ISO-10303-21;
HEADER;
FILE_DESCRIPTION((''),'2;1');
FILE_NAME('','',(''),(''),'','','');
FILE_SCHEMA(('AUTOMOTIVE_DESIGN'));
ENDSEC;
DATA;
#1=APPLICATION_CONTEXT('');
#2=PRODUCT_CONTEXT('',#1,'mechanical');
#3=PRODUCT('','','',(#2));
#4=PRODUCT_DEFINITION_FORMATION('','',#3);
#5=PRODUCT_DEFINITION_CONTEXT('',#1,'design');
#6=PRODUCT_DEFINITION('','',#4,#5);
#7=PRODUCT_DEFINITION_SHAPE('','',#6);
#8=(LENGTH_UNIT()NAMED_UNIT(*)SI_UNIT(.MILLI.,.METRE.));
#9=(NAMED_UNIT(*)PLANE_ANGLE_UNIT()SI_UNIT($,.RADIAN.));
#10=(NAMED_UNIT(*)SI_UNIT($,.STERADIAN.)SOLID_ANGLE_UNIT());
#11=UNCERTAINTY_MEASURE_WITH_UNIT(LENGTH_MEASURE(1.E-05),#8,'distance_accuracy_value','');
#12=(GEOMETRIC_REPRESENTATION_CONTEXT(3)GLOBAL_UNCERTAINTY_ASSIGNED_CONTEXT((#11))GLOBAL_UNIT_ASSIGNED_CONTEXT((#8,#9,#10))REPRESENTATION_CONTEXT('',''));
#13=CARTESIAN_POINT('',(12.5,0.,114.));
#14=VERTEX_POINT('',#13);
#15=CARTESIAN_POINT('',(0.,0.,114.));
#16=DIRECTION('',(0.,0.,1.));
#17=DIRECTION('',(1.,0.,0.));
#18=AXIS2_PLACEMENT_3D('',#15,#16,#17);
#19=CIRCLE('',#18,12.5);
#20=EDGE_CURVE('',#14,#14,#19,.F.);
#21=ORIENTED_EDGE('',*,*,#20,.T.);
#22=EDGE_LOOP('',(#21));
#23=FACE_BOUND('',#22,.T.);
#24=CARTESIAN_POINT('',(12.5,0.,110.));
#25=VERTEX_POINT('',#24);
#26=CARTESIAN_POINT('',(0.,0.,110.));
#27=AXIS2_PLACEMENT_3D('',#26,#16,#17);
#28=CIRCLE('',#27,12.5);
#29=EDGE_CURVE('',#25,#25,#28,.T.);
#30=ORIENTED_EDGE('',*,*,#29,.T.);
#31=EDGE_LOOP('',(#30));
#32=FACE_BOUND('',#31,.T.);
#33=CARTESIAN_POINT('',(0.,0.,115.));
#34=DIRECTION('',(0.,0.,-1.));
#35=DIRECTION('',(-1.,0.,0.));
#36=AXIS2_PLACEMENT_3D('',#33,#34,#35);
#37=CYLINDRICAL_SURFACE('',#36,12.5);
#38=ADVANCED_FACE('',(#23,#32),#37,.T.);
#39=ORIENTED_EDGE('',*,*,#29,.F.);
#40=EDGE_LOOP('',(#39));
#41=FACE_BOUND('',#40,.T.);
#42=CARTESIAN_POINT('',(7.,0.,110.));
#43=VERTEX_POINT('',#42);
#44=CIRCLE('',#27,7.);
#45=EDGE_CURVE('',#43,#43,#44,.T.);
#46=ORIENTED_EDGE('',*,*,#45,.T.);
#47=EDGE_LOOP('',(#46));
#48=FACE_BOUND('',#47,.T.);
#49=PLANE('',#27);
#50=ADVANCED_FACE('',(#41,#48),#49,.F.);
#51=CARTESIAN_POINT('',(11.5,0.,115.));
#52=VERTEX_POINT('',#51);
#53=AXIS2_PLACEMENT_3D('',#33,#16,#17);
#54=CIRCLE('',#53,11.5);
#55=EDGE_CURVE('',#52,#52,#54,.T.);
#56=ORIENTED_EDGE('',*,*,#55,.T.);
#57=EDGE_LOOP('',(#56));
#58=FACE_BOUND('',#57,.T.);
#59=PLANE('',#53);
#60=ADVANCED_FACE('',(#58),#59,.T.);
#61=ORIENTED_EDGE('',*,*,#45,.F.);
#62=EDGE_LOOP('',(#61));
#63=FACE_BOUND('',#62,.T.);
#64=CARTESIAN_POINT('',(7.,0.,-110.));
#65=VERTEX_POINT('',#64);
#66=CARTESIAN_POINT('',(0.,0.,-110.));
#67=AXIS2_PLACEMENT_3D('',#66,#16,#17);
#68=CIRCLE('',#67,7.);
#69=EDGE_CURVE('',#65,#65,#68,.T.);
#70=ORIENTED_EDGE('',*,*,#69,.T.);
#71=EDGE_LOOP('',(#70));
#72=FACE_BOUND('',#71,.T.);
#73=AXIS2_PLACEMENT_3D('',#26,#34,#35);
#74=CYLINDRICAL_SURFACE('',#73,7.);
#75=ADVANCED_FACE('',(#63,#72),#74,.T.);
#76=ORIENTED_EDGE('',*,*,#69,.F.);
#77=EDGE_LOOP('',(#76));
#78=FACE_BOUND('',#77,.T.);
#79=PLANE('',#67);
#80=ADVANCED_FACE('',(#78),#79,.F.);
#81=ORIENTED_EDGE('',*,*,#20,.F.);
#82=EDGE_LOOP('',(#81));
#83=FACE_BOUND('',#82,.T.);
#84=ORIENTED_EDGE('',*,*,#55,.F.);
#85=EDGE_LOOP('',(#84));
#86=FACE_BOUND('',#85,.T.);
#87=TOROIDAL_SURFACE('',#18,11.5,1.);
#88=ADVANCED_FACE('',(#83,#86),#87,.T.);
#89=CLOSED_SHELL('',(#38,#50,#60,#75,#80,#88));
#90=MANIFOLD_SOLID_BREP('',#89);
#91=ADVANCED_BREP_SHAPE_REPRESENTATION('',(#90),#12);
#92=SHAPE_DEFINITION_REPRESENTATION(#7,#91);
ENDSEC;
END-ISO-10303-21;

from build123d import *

# Parameters (mm, degrees)
SKETCH1_R           = 7
BOSS_EXTRUDE1_DEPTH = 110
SKETCH2_R           = 12.5
BOSS_EXTRUDE2_DEPTH = 5
FILLET1_R           = 1


with BuildPart() as part:
    # Sketch1 → Boss-Extrude1 (new, symmetric)
    with BuildSketch(Plane.XY):
        Circle(SKETCH1_R)
    extrude(amount=BOSS_EXTRUDE1_DEPTH, both=True)

    # Sketch2 → Boss-Extrude2 (add)
    with BuildSketch(Plane.XY.offset(110)):
        Circle(SKETCH2_R)
    extrude(amount=BOSS_EXTRUDE2_DEPTH)

    # Fillet1
    fillet1_edges = [part.edges().sort_by_distance(p)[0] for p in [
        (-12.5, 0, 115),
    ]]
    fillet(fillet1_edges, radius=FILLET1_R)


solid = part.part
